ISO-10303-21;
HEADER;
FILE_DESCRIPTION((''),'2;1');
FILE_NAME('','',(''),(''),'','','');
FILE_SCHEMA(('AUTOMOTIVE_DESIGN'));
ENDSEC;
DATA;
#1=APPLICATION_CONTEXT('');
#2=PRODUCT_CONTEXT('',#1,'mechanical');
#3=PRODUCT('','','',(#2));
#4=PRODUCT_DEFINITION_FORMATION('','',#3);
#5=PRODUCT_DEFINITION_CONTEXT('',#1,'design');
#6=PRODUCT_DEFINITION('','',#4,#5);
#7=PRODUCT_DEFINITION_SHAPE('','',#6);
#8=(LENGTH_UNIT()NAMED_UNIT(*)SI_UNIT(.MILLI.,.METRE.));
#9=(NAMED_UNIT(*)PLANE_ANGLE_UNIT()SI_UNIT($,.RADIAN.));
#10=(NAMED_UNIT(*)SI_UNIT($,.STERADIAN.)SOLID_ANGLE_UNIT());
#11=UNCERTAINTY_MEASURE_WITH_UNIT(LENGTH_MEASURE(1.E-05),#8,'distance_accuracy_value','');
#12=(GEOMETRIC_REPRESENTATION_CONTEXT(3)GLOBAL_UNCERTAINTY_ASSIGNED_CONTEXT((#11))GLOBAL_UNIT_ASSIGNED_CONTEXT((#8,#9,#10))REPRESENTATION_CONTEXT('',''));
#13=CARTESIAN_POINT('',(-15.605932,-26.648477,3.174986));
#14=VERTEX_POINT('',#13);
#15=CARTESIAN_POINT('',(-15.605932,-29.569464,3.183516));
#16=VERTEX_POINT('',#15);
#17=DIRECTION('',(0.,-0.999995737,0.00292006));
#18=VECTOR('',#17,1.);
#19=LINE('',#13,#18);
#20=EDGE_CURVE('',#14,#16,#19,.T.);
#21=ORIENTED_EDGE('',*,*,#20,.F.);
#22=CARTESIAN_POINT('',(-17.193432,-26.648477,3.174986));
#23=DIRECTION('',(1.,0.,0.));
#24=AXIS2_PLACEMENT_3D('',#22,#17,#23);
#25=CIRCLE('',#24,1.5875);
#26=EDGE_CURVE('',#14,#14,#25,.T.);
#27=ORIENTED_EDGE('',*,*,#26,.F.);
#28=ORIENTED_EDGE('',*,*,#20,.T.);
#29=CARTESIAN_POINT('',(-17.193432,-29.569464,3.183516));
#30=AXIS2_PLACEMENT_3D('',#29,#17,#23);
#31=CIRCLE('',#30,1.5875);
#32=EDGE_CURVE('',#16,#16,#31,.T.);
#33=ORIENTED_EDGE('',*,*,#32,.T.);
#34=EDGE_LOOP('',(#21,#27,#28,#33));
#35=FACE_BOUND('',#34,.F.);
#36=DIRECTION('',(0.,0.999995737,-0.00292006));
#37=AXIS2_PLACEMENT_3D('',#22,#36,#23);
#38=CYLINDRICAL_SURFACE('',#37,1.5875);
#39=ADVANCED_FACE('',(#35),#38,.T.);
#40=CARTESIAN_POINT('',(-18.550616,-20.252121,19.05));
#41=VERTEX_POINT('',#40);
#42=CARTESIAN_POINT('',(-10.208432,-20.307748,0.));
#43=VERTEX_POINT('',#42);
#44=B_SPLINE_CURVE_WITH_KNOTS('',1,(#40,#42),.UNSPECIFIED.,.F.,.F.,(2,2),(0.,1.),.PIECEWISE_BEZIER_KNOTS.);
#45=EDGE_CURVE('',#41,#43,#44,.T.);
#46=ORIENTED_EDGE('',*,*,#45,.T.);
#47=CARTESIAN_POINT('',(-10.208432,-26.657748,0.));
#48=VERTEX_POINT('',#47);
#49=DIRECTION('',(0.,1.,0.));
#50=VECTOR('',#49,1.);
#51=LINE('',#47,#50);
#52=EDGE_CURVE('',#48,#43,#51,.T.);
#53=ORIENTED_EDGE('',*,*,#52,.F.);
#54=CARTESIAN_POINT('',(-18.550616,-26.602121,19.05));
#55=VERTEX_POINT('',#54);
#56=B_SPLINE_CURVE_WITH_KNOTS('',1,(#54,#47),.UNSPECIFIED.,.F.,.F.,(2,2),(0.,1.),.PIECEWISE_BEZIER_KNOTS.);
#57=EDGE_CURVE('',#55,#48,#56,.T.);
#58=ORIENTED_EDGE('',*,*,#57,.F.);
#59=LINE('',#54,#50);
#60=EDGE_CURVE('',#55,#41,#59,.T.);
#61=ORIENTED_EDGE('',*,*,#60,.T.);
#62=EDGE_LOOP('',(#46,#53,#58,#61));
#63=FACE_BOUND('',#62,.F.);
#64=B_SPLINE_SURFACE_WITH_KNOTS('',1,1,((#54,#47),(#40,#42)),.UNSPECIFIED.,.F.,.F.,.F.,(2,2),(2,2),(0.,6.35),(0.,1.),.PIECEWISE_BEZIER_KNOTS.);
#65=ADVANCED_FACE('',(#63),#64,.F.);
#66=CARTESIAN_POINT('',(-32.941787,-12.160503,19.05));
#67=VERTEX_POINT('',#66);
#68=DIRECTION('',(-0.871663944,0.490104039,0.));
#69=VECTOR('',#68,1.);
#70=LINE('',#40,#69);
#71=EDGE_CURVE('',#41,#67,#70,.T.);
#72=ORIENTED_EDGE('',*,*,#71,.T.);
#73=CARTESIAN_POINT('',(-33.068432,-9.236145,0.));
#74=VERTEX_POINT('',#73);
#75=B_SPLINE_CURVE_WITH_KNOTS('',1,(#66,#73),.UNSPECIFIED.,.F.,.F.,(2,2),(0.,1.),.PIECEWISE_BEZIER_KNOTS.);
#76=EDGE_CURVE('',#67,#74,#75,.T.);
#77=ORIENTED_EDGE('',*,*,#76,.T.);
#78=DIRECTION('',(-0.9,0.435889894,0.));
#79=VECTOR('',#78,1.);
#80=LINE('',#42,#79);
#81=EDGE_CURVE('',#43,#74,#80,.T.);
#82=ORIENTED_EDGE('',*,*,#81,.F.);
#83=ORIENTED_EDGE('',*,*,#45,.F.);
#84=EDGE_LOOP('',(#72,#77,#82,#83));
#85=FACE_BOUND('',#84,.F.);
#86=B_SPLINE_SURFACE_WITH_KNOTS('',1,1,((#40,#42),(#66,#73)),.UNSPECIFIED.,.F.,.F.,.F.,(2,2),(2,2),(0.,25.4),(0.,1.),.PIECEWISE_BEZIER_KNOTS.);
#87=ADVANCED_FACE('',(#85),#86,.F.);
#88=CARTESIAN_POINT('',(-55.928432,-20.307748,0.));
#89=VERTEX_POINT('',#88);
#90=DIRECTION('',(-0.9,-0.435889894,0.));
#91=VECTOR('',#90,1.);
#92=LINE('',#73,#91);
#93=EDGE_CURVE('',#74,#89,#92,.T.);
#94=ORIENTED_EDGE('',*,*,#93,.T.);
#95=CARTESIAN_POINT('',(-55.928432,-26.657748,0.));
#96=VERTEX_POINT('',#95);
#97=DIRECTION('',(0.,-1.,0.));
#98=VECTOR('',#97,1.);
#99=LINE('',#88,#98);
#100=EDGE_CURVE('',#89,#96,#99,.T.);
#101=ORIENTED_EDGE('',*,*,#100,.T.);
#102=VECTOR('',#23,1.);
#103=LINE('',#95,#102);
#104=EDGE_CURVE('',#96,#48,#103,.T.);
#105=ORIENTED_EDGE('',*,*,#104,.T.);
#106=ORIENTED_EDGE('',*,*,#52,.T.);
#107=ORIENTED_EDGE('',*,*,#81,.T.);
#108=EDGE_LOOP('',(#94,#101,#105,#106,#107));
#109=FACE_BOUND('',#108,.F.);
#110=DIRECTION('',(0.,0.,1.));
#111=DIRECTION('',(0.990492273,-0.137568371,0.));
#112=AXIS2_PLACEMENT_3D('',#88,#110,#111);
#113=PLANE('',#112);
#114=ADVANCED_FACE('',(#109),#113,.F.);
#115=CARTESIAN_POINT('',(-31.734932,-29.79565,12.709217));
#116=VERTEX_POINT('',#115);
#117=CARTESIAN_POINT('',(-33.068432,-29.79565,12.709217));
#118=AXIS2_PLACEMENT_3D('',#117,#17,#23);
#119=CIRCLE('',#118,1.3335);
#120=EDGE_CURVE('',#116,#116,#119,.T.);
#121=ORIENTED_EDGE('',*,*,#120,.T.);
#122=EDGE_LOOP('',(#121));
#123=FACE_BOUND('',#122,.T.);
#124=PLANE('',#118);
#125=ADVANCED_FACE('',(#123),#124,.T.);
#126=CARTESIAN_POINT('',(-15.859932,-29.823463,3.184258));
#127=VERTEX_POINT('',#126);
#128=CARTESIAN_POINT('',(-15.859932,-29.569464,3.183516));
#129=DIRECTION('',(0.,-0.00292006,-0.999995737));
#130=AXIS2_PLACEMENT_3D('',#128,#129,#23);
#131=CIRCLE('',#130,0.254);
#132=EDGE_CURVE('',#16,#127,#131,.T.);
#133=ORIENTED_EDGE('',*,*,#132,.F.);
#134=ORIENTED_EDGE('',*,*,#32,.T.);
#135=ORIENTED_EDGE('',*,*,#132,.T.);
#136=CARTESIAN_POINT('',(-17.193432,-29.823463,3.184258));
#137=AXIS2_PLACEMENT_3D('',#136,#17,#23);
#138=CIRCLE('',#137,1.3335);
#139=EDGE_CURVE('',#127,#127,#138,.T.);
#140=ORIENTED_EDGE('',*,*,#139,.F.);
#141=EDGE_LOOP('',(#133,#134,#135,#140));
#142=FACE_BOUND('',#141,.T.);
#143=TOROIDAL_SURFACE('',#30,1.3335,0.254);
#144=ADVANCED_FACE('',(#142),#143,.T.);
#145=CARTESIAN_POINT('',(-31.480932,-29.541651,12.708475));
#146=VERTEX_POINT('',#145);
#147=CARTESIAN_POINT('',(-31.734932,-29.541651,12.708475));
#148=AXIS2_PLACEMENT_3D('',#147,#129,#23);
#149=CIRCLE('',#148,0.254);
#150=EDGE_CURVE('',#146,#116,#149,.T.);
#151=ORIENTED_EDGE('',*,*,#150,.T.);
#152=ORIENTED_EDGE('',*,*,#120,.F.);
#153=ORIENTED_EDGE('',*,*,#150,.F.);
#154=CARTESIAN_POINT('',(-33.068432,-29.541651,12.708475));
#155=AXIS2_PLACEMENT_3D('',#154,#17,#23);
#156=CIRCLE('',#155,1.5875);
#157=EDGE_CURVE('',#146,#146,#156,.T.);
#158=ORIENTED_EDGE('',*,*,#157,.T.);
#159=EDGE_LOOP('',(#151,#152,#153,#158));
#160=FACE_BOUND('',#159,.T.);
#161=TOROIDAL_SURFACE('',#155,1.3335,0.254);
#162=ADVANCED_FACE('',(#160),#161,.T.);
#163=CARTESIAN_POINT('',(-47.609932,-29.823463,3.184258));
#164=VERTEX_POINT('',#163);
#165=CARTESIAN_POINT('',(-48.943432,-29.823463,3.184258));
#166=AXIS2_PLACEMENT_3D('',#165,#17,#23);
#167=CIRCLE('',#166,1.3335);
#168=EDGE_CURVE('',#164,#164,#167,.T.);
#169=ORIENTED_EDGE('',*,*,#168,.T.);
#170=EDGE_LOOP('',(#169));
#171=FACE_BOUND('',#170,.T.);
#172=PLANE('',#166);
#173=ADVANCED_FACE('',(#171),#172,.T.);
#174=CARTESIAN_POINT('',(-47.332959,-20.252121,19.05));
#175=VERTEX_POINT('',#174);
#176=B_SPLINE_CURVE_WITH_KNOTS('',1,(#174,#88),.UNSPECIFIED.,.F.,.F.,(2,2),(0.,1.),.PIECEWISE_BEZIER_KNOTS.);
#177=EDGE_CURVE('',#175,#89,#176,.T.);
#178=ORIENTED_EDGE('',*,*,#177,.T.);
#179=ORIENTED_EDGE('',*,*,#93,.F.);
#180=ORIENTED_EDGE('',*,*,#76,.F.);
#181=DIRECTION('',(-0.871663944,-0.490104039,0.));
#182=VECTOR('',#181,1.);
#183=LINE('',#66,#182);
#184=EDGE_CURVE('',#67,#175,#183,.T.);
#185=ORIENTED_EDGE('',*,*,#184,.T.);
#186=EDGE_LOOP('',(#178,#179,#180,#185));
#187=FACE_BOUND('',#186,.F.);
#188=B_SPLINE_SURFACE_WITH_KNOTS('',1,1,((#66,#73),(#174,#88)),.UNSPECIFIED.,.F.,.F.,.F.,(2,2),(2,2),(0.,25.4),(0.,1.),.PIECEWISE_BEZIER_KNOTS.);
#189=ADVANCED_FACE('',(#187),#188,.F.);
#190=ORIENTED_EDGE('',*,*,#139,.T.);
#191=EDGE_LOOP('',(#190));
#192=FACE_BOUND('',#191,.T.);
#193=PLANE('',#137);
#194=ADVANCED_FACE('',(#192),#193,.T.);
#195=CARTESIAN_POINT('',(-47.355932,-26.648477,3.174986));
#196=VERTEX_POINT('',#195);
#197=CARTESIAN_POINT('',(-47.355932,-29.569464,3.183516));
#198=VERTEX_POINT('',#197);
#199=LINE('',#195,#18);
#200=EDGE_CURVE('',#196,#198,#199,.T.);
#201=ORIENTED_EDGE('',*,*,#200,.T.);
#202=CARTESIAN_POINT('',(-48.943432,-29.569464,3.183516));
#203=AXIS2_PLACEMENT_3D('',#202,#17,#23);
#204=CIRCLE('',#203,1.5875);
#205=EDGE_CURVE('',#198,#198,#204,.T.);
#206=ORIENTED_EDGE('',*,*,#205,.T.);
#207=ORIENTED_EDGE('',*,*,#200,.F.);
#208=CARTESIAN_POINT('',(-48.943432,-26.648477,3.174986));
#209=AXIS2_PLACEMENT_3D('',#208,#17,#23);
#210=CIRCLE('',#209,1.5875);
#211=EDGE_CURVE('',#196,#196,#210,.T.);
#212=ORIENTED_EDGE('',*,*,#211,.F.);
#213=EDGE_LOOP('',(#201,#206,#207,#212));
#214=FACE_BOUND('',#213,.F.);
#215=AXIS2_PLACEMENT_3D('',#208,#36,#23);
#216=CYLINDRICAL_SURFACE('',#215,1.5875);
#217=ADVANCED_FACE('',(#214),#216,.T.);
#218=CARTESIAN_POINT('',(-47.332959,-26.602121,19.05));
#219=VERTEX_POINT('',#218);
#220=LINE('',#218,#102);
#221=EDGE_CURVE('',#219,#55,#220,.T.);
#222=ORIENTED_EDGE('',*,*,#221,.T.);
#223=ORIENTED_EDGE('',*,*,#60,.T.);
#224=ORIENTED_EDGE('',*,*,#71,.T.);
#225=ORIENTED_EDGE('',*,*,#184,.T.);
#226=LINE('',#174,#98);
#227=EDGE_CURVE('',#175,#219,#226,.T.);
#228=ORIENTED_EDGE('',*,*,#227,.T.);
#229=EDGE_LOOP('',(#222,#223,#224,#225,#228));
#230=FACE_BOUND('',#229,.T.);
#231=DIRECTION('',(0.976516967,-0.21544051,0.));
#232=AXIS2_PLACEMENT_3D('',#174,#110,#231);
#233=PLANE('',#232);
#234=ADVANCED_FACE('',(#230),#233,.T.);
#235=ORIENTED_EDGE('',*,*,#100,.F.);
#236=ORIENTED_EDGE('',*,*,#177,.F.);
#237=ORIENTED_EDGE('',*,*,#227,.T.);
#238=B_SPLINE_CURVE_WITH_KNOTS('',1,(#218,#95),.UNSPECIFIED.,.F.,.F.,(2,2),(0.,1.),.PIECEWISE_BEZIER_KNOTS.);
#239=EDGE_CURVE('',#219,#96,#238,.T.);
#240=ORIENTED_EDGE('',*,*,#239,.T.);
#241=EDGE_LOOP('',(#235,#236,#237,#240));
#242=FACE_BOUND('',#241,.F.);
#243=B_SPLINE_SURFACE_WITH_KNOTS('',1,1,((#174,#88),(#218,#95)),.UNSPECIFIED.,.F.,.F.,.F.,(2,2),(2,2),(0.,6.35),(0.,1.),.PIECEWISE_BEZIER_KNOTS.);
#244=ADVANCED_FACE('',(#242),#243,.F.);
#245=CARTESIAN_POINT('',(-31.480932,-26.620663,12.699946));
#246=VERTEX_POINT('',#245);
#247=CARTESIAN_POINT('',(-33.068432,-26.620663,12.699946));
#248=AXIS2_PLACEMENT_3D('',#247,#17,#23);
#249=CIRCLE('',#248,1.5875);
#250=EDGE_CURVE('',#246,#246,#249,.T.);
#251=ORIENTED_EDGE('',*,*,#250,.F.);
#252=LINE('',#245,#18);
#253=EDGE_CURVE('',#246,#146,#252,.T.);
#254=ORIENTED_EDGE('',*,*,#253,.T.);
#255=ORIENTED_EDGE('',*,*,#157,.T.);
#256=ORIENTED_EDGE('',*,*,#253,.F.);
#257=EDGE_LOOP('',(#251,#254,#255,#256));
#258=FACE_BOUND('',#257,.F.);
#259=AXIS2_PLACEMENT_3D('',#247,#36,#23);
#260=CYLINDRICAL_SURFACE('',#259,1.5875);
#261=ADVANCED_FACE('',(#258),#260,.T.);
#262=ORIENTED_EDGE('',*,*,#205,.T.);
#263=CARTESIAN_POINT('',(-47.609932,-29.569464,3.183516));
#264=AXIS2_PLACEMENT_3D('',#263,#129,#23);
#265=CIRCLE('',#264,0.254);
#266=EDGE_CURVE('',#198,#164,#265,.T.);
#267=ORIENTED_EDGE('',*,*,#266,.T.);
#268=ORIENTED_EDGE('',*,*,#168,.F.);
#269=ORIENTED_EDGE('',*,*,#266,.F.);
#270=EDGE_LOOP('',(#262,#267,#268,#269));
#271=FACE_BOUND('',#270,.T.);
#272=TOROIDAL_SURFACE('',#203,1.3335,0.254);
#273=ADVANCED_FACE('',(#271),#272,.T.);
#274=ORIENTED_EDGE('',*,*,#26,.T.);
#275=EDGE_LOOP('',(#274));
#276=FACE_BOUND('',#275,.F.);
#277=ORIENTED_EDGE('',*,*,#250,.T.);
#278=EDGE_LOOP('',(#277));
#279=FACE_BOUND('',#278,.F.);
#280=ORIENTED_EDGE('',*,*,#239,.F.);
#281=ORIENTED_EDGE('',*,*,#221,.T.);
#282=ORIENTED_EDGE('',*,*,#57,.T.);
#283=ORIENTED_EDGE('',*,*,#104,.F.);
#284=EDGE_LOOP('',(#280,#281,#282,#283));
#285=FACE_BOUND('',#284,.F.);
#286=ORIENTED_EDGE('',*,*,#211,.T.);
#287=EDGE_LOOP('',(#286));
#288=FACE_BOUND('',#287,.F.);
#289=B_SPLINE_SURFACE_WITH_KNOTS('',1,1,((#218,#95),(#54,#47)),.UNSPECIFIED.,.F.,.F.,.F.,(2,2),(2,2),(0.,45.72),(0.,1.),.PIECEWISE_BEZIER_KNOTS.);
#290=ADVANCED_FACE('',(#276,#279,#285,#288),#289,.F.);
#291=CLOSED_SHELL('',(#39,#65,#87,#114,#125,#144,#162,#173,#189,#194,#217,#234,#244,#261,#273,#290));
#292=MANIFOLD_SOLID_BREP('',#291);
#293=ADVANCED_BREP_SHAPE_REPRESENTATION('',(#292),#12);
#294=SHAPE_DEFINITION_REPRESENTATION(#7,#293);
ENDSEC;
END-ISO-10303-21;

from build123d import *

# Parameters (mm, degrees)
F4_R     = 1.5875
F5_DEPTH = 3.175
F6_R     = 0.254


with BuildPart() as f3:
    # F2 (on offset) → F3 section 0
    with BuildSketch(Plane.XY.offset(19.05)):
        Polygon((-47.3329591776, -20.2521206051), (-47.3329591776, -26.6021206051), (-18.5506157587, -26.6021206051), (-18.5506157587, -20.2521206051), (-32.9417874681, -12.1605029158), align=None)
    # F0 (on Top) → F3 section 1
    with BuildSketch(Plane.XY):
        Polygon((-55.9284321933, -20.3077479873), (-55.9284321933, -26.6577479873), (-10.2084321933, -26.6577479873), (-10.2084321933, -20.3077479873), (-33.0684321933, -9.2361446707), align=None)
    loft()

    # F4 (on face) → F5 (join)
    with BuildSketch(Plane(origin=(0, -26.6575206833, 0.0778418945), x_dir=(1, 0, 0), z_dir=(0, -0.9999957366, 0.0029200601))):
        with Locations((-48.9434321933, 3.0971577737)):
            Circle(F4_R)
        with Locations((-33.0684321933, 12.6221577737)):
            Circle(F4_R)
        with Locations((-17.1934321933, 3.0971577737)):
            Circle(F4_R)
    extrude(amount=F5_DEPTH)

    # F6
    f6_edges = [f3.edges().sort_by_distance(p)[0] for p in [
        (-50.530932, -29.823463, 3.184258),
        (-34.655932, -29.79565, 12.709217),
        (-18.780932, -29.823463, 3.184258),
    ]]
    fillet(f6_edges, radius=F6_R)


solid = f3.part
